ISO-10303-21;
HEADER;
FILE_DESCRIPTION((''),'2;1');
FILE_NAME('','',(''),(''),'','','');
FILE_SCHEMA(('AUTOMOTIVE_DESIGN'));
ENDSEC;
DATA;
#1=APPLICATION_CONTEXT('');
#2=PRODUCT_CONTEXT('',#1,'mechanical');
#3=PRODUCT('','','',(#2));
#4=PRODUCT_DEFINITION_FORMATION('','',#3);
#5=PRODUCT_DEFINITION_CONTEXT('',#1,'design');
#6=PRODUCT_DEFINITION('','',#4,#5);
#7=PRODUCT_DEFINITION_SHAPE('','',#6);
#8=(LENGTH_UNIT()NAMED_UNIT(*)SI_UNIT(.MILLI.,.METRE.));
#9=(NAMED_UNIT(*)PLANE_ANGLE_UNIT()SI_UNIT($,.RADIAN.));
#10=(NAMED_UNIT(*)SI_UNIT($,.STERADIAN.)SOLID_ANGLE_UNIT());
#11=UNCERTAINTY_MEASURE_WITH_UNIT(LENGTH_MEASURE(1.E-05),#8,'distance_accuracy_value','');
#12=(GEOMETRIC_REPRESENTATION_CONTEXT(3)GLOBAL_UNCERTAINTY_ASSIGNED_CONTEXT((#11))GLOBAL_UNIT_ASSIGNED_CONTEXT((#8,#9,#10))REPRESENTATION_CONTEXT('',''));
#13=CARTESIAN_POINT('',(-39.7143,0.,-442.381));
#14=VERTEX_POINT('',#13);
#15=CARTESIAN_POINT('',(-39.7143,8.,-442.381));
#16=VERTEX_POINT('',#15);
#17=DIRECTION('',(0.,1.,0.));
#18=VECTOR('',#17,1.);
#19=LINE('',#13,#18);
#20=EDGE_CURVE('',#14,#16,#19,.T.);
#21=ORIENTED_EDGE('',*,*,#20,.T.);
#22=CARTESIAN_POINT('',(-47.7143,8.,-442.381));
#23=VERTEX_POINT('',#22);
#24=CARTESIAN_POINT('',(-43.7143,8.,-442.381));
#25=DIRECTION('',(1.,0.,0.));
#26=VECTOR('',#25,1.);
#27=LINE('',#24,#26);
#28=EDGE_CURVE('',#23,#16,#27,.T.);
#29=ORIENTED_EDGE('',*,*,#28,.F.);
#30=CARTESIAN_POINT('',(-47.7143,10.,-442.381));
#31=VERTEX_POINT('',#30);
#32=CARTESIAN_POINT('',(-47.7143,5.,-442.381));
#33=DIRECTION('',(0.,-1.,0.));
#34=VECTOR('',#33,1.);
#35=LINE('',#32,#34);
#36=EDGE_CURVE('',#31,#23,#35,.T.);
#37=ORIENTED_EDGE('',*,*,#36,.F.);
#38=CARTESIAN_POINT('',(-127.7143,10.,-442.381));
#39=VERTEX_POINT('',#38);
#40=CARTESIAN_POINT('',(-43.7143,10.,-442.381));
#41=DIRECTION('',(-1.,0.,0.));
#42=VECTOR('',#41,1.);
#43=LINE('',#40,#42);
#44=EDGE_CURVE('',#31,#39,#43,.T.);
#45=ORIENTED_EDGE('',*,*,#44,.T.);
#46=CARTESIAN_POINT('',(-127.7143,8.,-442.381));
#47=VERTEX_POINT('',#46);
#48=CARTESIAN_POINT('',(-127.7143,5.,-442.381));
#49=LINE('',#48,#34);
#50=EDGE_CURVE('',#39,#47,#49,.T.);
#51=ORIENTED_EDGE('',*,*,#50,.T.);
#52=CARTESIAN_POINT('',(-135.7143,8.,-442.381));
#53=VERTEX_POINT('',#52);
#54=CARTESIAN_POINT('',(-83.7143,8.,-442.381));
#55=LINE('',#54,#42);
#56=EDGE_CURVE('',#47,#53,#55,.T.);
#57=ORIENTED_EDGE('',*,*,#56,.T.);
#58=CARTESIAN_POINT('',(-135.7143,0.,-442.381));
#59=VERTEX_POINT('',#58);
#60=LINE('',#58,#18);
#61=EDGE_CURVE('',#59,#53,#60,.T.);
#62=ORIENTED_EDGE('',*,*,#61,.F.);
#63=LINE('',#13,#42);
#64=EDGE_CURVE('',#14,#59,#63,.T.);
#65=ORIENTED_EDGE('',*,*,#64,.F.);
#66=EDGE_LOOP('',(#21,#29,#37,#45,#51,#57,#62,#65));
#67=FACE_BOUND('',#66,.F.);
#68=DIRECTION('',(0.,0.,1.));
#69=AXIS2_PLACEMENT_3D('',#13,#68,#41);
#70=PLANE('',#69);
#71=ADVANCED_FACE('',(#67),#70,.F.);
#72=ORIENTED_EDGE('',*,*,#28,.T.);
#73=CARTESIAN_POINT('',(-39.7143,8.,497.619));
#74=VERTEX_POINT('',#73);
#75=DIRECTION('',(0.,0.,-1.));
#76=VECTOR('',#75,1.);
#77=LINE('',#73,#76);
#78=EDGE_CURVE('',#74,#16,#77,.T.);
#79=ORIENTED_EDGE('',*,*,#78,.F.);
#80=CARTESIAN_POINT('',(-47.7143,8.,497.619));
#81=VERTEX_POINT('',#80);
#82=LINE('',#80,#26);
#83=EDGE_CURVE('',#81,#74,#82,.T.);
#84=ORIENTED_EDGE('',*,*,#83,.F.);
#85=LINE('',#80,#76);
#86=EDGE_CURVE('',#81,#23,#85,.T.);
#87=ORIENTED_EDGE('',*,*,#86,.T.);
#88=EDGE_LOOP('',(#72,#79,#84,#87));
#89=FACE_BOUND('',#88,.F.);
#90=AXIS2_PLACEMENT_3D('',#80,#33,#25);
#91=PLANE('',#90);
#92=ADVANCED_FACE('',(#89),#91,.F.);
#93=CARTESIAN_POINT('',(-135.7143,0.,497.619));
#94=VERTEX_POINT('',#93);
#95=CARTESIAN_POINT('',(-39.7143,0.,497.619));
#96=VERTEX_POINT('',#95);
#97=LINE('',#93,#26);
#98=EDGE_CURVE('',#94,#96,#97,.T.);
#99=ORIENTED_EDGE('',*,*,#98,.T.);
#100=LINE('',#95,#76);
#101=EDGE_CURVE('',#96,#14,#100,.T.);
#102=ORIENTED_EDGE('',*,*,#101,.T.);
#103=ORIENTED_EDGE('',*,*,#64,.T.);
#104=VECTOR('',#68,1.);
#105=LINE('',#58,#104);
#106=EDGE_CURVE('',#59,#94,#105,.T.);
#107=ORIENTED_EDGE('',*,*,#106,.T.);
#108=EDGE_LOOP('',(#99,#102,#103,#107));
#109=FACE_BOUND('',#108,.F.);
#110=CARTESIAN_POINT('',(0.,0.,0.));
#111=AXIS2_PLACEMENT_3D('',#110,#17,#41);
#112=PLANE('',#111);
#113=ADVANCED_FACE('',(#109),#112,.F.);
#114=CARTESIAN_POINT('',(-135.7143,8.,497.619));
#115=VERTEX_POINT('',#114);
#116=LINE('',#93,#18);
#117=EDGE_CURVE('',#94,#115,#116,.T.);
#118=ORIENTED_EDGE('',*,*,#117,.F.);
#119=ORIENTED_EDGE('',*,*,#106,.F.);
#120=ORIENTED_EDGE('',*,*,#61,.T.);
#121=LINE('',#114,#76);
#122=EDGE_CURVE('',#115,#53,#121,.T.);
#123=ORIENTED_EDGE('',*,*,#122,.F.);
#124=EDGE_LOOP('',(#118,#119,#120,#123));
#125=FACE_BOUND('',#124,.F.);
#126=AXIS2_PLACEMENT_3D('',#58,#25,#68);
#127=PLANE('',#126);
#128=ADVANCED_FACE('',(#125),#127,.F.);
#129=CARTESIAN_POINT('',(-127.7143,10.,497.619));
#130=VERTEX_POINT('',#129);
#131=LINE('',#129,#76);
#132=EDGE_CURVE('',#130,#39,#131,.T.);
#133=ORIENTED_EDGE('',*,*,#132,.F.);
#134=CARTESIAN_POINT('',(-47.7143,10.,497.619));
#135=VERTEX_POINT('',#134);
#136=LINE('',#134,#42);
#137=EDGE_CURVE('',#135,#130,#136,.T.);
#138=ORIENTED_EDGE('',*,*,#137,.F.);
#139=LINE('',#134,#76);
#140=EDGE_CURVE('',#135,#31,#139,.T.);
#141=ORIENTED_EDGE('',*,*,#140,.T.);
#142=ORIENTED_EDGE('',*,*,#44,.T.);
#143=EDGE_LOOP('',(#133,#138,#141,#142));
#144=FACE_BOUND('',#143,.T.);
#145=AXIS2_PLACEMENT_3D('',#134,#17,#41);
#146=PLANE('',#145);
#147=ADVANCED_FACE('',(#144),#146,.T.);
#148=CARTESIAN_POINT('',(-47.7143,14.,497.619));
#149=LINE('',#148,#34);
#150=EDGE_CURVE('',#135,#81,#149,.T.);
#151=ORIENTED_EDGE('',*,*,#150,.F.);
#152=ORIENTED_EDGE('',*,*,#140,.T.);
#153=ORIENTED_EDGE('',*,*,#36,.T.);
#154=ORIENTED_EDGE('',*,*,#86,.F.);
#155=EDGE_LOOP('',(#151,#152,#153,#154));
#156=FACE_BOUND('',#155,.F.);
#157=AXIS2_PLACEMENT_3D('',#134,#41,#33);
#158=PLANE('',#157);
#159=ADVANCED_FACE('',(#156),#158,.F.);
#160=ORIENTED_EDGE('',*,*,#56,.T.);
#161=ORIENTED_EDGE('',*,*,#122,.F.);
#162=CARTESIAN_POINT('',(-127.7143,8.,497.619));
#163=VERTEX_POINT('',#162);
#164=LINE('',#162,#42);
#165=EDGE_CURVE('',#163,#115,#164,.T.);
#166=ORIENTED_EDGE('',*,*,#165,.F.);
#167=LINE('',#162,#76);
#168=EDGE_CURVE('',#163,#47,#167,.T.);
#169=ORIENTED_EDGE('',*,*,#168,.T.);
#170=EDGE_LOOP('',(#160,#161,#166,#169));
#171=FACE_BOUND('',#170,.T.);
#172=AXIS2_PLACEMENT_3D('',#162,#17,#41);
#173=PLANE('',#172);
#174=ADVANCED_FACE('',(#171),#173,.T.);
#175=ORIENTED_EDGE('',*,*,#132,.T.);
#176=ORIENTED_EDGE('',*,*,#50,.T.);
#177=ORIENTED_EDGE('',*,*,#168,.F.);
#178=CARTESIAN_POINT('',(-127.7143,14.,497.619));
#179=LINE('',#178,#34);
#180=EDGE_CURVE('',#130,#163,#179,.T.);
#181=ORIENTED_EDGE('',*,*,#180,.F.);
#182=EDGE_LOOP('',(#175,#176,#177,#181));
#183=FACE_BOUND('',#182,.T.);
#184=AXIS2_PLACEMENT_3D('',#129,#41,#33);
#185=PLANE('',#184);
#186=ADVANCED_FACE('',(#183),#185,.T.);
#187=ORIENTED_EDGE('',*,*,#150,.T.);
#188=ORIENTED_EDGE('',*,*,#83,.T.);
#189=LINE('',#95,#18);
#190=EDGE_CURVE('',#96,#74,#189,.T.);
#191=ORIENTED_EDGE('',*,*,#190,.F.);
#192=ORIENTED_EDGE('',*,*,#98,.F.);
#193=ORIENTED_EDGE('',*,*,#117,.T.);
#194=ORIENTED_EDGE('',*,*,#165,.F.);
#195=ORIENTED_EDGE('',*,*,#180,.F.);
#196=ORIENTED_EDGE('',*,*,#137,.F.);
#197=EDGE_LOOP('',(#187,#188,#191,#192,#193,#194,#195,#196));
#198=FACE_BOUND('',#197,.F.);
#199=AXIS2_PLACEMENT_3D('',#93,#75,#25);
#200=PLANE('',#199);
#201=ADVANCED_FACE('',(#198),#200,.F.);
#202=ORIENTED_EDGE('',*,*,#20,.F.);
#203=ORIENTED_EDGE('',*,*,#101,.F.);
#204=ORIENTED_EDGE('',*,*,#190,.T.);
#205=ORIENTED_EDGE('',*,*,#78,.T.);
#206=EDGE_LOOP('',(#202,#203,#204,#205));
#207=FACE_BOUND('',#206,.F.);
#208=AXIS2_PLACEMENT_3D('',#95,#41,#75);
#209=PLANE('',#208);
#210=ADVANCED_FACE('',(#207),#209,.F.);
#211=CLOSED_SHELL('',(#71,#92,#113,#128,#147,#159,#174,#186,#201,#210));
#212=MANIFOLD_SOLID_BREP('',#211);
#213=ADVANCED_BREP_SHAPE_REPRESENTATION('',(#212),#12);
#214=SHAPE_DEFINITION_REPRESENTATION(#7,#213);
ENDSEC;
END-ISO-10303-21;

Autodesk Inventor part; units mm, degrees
ref_plane "YZ Plane" through (0, 0, 0) normal (1, 0, 0) x (0, 1, 0)
ref_plane "XZ Plane" through (0, 0, 0) normal (0, 1, 0) x (-1, 0, 0)
ref_plane "XY Plane" through (0, 0, 0) normal (0, 0, 1) x (1, 0, 0)
sketch "Sketch1" plane through (0, 0, 0) normal (0, 1, 0) x (-1, 0, 0)
  line L0 (135.7143, 497.619) -> (39.7143, 497.619)
  line L1 (39.7143, 497.619) -> (39.7143, -442.381)
  line L2 (39.7143, -442.381) -> (135.7143, -442.381)
  line L3 (135.7143, -442.381) -> (135.7143, 497.619)
  point P0 (0, 0)
  dimension "d0" = 940
  dimension "d1" = 96
extrude "Extrusion1" add sketch "Sketch1" along normal blind 14
sketch "Sketch2" plane through (-135.7143, 0, 497.619) normal (0, 0, 1) x (1, 0, 0)
  point P0 (135.7143, 0)
sketch "Sketch3" plane through (-135.7143, 0, 497.619) normal (0, 0, 1) x (1, 0, 0)
  line L0 (96, 14) -> (0, 14) projected
  line L1 (0, 14) -> (8, 14)
  line L2 (8, 14) -> (8, 8)
  line L3 (8, 8) -> (0, 8)
  line L4 (0, 8) -> (0, 14)
  line L5 (96, 14) -> (88, 14)
  line L6 (88, 14) -> (88, 8)
  line L7 (88, 8) -> (96, 8)
  line L8 (96, 8) -> (96, 14)
  line L9 (8, 14) -> (88, 14)
  line L10 (88, 14) -> (88, 10)
  line L11 (88, 10) -> (8, 10)
  line L12 (8, 10) -> (8, 14)
  point P0 (135.7143, 0)
  point P1 (8, 10)
  dimension "d4" = 8
  dimension "d5" = 6
  dimension "d6" = 6
extrude "Extrusion2" cut sketch "Sketch3" against normal through all
properties part number "TopZakrivka" material "Aluminum 6061"
